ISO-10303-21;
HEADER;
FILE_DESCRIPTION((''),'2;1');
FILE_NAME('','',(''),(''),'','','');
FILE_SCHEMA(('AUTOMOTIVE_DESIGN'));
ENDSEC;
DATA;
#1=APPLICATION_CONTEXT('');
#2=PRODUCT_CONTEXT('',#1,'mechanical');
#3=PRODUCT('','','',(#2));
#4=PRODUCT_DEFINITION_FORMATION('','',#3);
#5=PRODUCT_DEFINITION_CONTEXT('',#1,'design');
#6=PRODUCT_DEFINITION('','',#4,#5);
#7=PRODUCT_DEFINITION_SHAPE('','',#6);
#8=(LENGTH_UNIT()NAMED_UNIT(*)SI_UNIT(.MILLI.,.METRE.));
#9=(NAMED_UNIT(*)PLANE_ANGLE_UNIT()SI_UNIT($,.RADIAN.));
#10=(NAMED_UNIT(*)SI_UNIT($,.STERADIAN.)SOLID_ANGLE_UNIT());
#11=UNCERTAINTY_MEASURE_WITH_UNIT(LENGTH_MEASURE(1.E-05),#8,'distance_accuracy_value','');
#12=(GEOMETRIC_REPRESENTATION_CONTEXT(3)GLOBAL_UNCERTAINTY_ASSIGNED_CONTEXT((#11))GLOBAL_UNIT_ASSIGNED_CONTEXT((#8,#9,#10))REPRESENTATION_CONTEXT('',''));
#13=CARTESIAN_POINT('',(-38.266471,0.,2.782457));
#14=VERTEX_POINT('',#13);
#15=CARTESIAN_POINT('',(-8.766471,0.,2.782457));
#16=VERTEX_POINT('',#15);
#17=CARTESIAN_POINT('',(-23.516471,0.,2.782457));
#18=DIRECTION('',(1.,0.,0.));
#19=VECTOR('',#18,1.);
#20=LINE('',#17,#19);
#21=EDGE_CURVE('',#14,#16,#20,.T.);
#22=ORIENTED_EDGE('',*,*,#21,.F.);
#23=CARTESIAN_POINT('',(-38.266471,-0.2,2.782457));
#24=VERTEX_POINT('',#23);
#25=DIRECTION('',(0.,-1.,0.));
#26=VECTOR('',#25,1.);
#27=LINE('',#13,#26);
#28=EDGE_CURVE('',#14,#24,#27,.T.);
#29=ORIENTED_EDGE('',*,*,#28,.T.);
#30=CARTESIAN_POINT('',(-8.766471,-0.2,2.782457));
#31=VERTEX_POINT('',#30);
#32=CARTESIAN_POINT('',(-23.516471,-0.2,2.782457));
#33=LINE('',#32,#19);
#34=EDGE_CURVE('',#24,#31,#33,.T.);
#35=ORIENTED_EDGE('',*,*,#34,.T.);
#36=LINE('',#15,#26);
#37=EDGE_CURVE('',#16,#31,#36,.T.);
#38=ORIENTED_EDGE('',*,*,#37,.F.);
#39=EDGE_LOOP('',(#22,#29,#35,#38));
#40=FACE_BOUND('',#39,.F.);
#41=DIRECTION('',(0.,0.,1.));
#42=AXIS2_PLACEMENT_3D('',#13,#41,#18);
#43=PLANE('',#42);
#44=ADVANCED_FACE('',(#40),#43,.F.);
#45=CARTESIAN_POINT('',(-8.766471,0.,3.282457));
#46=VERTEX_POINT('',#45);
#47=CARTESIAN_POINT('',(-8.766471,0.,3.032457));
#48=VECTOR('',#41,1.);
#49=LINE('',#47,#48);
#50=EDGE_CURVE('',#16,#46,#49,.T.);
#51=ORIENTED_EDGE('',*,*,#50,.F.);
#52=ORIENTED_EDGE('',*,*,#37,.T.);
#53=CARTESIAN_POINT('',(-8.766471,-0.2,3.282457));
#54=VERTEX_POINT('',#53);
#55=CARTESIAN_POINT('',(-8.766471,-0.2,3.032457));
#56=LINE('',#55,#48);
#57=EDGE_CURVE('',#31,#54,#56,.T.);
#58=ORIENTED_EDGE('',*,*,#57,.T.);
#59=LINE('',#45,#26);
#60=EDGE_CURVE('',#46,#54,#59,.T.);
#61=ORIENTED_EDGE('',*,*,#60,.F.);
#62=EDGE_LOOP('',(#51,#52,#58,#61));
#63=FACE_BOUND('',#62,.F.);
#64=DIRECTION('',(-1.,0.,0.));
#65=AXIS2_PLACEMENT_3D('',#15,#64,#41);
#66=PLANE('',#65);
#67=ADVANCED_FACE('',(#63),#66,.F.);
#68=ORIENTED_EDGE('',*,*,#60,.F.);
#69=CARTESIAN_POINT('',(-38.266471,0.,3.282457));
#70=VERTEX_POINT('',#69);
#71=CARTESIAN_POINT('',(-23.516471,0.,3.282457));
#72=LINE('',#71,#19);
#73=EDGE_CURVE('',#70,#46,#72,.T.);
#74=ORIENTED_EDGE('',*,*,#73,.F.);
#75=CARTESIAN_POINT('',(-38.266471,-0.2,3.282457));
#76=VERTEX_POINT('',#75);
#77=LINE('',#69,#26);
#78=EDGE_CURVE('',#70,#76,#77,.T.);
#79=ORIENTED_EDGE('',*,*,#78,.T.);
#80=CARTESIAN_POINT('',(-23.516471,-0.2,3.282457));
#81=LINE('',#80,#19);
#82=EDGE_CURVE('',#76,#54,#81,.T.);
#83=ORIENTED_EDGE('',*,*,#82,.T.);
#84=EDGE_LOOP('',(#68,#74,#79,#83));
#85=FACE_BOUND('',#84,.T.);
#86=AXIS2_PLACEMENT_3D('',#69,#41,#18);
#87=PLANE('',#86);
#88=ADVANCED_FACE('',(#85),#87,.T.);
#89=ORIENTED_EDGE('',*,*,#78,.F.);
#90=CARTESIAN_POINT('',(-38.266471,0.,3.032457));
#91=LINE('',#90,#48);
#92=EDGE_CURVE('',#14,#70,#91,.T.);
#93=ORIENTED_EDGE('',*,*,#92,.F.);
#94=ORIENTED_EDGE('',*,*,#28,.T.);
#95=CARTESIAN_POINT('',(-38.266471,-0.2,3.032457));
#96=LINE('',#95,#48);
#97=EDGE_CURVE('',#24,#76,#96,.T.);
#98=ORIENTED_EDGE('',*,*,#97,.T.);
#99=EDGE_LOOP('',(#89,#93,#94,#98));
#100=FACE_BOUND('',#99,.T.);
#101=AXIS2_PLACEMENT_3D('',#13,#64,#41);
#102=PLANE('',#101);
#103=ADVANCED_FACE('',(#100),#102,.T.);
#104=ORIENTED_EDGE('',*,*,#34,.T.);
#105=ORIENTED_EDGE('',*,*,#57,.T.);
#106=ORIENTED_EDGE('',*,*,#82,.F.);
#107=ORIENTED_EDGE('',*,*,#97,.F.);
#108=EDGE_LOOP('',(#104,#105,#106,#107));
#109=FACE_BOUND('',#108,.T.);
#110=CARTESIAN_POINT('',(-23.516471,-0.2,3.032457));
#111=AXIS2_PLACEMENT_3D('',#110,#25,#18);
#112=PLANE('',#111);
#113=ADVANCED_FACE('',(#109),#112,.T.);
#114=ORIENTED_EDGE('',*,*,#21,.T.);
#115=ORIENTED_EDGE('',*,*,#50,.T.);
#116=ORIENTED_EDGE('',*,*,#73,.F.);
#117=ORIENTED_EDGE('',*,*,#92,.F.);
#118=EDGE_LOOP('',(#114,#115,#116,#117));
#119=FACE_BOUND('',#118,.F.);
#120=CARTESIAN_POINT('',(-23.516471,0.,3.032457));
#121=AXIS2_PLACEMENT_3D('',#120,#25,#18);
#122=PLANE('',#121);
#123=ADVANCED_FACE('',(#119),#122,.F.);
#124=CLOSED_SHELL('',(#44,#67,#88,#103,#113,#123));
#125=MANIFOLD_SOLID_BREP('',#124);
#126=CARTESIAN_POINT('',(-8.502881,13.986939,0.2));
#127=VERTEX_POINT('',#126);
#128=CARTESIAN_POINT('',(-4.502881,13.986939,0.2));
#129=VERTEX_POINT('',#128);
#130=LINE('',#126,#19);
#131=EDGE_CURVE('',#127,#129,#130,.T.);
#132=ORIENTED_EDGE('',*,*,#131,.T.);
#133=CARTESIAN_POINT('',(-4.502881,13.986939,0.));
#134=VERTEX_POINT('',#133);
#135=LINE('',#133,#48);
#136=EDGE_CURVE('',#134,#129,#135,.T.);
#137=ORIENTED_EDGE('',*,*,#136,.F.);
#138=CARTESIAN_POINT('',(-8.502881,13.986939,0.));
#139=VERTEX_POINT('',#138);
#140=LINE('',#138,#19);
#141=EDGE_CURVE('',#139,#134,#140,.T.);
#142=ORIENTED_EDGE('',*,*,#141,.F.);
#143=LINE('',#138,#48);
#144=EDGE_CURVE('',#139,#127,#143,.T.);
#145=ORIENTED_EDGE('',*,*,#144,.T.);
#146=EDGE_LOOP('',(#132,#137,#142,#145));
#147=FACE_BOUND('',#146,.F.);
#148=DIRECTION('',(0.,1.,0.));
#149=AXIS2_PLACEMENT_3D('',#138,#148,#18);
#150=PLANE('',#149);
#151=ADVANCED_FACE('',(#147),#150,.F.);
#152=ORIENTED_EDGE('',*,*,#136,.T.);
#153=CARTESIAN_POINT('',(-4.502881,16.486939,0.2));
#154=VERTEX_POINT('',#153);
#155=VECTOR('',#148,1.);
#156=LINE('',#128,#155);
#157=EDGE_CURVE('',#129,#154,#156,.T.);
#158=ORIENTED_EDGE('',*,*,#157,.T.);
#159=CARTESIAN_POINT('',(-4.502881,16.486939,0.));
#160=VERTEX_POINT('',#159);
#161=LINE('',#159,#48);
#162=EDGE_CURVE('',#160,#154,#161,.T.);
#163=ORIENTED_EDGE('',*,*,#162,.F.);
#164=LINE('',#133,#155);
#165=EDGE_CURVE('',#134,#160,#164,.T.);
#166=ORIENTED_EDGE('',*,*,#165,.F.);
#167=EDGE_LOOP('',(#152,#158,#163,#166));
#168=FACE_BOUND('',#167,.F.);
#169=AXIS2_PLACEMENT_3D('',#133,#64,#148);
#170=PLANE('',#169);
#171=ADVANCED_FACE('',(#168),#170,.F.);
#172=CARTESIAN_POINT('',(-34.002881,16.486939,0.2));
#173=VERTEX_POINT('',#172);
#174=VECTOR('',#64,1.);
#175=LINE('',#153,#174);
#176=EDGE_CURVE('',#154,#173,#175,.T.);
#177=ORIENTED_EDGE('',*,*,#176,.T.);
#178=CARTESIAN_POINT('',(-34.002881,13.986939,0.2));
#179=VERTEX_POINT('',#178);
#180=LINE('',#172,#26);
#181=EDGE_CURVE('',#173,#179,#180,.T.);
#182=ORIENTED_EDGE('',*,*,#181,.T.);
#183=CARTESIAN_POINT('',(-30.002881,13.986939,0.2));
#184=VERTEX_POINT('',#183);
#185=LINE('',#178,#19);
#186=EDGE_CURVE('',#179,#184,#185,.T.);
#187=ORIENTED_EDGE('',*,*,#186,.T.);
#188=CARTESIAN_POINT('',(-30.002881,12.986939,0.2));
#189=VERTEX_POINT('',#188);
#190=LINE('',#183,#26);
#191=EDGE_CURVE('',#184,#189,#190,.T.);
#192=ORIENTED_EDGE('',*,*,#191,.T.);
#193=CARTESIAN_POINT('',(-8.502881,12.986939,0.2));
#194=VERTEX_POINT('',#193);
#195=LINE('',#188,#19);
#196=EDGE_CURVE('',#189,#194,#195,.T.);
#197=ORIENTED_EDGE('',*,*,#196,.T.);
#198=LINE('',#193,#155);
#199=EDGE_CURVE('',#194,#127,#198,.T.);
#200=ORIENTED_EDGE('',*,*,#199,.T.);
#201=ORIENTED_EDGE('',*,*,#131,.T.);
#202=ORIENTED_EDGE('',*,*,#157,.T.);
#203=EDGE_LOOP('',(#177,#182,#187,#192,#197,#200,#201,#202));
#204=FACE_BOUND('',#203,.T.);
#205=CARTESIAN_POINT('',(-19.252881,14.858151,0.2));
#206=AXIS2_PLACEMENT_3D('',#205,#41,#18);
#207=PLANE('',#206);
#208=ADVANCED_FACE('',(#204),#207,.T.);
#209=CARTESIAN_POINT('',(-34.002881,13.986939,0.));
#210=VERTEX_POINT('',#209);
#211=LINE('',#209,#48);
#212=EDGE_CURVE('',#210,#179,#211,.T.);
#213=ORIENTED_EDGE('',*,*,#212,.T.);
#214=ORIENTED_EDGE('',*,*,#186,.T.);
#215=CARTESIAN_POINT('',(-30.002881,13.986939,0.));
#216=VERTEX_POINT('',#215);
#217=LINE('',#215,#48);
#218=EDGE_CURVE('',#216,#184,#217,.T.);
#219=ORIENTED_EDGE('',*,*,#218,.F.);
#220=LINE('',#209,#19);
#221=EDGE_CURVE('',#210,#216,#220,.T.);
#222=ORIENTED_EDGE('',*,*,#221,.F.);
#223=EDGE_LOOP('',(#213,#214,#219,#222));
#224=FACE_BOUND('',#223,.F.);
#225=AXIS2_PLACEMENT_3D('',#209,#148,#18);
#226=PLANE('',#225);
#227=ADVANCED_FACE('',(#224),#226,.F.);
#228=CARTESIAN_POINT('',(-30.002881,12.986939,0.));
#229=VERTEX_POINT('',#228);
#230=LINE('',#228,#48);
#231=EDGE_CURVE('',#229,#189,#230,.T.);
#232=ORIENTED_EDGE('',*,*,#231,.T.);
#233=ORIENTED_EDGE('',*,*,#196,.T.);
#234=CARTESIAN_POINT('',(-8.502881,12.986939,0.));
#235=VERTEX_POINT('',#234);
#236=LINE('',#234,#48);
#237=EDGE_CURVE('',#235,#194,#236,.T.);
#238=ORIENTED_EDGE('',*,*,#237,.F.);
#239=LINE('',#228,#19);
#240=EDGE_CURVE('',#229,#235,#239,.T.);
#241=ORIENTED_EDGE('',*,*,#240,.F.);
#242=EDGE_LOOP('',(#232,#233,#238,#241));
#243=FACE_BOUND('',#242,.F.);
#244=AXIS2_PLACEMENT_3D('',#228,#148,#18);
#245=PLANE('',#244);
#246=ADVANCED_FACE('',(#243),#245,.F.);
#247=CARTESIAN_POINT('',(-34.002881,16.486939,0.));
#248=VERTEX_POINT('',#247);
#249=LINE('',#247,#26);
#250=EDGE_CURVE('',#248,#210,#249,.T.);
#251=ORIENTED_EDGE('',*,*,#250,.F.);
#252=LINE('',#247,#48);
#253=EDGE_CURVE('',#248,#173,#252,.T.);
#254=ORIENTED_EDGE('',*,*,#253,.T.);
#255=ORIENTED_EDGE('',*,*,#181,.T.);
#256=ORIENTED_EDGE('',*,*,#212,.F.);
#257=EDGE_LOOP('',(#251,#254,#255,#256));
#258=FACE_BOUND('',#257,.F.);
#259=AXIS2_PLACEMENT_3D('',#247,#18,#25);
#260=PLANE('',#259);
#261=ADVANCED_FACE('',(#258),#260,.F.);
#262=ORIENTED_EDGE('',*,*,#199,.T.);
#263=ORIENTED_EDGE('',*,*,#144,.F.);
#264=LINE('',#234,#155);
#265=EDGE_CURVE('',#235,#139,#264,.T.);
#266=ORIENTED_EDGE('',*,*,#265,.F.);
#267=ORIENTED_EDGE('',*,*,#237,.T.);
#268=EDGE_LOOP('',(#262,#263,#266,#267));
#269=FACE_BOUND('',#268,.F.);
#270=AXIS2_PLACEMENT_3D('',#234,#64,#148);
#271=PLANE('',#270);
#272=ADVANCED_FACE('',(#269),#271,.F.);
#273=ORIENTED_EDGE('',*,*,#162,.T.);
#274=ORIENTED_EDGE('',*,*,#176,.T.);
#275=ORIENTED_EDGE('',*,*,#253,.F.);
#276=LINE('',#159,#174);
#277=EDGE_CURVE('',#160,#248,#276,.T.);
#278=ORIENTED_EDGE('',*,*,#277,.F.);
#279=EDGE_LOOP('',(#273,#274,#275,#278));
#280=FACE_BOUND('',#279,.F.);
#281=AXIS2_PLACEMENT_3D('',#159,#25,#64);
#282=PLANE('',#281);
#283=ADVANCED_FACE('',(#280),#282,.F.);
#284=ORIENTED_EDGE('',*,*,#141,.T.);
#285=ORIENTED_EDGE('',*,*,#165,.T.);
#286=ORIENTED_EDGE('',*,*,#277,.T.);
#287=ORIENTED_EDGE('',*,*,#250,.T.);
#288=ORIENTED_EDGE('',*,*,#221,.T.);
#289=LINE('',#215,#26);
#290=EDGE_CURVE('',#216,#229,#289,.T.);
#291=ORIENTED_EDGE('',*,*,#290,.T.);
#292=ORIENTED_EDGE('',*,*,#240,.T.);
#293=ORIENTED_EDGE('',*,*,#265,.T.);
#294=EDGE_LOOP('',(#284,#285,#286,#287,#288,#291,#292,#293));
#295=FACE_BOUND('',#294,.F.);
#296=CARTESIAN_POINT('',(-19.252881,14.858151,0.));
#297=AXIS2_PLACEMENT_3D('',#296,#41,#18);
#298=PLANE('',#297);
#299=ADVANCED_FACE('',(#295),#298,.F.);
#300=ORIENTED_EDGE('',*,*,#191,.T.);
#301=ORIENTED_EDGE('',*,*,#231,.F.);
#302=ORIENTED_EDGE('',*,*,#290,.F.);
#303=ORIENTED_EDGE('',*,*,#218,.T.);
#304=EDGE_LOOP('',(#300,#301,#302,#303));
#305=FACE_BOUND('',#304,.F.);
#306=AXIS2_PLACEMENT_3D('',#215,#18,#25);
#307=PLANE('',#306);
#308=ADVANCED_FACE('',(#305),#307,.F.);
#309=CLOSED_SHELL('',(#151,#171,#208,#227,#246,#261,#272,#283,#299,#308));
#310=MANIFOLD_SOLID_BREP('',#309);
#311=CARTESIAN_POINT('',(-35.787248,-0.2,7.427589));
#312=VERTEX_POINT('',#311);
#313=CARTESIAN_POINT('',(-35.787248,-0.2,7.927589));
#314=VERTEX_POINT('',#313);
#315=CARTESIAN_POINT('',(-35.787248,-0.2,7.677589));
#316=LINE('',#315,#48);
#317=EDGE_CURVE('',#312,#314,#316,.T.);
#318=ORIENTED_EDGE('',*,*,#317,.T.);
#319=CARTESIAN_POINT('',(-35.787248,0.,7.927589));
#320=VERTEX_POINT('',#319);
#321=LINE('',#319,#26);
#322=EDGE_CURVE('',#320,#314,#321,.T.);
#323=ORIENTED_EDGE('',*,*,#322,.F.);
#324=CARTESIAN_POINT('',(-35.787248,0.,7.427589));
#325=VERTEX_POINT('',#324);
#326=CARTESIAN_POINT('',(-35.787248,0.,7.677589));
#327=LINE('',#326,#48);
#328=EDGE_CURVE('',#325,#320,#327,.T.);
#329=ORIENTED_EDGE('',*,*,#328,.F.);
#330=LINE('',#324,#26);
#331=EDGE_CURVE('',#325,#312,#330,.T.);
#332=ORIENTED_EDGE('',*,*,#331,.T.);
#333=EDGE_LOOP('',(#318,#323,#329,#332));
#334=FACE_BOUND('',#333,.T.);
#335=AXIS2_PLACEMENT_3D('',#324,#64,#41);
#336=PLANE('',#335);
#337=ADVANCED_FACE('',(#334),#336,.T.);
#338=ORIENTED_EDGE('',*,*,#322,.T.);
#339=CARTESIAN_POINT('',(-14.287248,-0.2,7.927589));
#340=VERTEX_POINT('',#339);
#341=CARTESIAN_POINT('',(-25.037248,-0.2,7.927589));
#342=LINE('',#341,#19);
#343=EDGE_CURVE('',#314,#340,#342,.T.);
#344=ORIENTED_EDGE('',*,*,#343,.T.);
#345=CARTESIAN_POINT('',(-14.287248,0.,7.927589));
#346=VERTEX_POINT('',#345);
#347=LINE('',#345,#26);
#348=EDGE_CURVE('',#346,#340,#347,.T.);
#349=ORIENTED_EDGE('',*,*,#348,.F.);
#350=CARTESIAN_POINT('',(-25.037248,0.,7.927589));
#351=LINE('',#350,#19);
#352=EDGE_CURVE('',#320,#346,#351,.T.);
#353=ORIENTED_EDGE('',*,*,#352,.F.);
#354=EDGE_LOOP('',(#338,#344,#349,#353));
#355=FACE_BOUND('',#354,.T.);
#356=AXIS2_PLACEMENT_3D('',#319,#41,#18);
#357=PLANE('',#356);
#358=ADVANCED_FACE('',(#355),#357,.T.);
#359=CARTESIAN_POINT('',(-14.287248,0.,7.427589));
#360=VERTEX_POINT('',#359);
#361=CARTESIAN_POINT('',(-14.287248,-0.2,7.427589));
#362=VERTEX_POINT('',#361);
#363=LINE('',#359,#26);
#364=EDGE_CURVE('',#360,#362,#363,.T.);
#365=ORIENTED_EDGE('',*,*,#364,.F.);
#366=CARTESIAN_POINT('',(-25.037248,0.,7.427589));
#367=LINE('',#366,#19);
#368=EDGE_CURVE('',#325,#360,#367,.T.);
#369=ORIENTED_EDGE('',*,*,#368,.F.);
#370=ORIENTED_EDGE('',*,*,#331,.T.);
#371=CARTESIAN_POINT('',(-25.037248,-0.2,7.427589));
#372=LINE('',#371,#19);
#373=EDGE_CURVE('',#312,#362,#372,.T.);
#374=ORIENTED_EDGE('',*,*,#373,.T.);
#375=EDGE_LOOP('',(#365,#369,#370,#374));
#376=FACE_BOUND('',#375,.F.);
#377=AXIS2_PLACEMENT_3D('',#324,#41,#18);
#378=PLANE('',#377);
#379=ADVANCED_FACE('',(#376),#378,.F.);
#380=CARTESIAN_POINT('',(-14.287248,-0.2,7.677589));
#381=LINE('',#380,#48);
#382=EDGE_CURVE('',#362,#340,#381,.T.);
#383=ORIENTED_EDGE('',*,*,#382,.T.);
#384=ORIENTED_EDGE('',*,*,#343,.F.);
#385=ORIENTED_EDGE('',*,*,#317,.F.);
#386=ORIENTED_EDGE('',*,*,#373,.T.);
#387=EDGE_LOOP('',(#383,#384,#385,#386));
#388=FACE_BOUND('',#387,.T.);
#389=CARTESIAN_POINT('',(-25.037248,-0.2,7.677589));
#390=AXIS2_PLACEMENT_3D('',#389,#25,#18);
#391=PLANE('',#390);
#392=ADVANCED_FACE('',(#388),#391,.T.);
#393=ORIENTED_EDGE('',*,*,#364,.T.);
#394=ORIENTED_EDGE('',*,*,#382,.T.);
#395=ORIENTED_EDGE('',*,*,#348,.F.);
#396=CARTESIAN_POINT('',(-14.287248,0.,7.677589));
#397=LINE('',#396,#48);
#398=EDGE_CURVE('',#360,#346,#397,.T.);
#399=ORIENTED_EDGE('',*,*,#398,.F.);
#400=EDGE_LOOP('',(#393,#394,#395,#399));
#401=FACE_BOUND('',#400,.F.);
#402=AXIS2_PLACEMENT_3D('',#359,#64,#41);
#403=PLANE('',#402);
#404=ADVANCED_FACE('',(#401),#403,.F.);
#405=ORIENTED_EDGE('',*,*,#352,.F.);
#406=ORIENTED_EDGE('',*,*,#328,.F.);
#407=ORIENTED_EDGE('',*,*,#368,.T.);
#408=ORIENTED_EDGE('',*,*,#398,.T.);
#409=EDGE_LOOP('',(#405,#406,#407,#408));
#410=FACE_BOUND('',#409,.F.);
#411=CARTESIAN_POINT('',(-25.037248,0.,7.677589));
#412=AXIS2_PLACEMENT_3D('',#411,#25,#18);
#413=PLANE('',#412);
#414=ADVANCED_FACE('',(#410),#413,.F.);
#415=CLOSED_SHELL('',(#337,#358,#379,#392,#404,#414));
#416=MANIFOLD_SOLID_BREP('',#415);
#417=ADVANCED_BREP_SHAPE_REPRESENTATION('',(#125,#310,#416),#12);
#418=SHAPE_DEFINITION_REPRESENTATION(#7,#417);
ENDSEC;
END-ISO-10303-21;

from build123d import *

# Parameters (mm, degrees)
F1_DEPTH = 0.2
F2_W     = 21.5
F2_H     = 0.5
F3_DEPTH = 0.2
F4_W     = 29.5
F4_H     = 0.5
F5_DEPTH = 0.2


with BuildPart() as f1:
    # F0 (on Top) → F1 (new body)
    with BuildSketch(Plane.XY):
        Polygon((-4.502881, 16.486939), (-34.002881, 16.486939), (-34.002881, 13.986939), (-30.002881, 13.986939), (-30.002881, 12.986939), (-8.502881, 12.986939), (-8.502881, 13.986939), (-4.502881, 13.986939), align=None)
    extrude(amount=F1_DEPTH)


with BuildPart() as f3:
    # F2 (on Front) → F3 (new body)
    with BuildSketch(Plane.XZ):
        with Locations((-25.037248, 7.677589)):
            Rectangle(F2_W, F2_H)
    extrude(amount=F3_DEPTH)


with BuildPart() as f5:
    # F4 (on Front) → F5 (new body)
    with BuildSketch(Plane.XZ):
        with Locations((-23.516471, 3.032457)):
            Rectangle(F4_W, F4_H)
    extrude(amount=F5_DEPTH)


solid = Compound([f1.part, f3.part, f5.part])
